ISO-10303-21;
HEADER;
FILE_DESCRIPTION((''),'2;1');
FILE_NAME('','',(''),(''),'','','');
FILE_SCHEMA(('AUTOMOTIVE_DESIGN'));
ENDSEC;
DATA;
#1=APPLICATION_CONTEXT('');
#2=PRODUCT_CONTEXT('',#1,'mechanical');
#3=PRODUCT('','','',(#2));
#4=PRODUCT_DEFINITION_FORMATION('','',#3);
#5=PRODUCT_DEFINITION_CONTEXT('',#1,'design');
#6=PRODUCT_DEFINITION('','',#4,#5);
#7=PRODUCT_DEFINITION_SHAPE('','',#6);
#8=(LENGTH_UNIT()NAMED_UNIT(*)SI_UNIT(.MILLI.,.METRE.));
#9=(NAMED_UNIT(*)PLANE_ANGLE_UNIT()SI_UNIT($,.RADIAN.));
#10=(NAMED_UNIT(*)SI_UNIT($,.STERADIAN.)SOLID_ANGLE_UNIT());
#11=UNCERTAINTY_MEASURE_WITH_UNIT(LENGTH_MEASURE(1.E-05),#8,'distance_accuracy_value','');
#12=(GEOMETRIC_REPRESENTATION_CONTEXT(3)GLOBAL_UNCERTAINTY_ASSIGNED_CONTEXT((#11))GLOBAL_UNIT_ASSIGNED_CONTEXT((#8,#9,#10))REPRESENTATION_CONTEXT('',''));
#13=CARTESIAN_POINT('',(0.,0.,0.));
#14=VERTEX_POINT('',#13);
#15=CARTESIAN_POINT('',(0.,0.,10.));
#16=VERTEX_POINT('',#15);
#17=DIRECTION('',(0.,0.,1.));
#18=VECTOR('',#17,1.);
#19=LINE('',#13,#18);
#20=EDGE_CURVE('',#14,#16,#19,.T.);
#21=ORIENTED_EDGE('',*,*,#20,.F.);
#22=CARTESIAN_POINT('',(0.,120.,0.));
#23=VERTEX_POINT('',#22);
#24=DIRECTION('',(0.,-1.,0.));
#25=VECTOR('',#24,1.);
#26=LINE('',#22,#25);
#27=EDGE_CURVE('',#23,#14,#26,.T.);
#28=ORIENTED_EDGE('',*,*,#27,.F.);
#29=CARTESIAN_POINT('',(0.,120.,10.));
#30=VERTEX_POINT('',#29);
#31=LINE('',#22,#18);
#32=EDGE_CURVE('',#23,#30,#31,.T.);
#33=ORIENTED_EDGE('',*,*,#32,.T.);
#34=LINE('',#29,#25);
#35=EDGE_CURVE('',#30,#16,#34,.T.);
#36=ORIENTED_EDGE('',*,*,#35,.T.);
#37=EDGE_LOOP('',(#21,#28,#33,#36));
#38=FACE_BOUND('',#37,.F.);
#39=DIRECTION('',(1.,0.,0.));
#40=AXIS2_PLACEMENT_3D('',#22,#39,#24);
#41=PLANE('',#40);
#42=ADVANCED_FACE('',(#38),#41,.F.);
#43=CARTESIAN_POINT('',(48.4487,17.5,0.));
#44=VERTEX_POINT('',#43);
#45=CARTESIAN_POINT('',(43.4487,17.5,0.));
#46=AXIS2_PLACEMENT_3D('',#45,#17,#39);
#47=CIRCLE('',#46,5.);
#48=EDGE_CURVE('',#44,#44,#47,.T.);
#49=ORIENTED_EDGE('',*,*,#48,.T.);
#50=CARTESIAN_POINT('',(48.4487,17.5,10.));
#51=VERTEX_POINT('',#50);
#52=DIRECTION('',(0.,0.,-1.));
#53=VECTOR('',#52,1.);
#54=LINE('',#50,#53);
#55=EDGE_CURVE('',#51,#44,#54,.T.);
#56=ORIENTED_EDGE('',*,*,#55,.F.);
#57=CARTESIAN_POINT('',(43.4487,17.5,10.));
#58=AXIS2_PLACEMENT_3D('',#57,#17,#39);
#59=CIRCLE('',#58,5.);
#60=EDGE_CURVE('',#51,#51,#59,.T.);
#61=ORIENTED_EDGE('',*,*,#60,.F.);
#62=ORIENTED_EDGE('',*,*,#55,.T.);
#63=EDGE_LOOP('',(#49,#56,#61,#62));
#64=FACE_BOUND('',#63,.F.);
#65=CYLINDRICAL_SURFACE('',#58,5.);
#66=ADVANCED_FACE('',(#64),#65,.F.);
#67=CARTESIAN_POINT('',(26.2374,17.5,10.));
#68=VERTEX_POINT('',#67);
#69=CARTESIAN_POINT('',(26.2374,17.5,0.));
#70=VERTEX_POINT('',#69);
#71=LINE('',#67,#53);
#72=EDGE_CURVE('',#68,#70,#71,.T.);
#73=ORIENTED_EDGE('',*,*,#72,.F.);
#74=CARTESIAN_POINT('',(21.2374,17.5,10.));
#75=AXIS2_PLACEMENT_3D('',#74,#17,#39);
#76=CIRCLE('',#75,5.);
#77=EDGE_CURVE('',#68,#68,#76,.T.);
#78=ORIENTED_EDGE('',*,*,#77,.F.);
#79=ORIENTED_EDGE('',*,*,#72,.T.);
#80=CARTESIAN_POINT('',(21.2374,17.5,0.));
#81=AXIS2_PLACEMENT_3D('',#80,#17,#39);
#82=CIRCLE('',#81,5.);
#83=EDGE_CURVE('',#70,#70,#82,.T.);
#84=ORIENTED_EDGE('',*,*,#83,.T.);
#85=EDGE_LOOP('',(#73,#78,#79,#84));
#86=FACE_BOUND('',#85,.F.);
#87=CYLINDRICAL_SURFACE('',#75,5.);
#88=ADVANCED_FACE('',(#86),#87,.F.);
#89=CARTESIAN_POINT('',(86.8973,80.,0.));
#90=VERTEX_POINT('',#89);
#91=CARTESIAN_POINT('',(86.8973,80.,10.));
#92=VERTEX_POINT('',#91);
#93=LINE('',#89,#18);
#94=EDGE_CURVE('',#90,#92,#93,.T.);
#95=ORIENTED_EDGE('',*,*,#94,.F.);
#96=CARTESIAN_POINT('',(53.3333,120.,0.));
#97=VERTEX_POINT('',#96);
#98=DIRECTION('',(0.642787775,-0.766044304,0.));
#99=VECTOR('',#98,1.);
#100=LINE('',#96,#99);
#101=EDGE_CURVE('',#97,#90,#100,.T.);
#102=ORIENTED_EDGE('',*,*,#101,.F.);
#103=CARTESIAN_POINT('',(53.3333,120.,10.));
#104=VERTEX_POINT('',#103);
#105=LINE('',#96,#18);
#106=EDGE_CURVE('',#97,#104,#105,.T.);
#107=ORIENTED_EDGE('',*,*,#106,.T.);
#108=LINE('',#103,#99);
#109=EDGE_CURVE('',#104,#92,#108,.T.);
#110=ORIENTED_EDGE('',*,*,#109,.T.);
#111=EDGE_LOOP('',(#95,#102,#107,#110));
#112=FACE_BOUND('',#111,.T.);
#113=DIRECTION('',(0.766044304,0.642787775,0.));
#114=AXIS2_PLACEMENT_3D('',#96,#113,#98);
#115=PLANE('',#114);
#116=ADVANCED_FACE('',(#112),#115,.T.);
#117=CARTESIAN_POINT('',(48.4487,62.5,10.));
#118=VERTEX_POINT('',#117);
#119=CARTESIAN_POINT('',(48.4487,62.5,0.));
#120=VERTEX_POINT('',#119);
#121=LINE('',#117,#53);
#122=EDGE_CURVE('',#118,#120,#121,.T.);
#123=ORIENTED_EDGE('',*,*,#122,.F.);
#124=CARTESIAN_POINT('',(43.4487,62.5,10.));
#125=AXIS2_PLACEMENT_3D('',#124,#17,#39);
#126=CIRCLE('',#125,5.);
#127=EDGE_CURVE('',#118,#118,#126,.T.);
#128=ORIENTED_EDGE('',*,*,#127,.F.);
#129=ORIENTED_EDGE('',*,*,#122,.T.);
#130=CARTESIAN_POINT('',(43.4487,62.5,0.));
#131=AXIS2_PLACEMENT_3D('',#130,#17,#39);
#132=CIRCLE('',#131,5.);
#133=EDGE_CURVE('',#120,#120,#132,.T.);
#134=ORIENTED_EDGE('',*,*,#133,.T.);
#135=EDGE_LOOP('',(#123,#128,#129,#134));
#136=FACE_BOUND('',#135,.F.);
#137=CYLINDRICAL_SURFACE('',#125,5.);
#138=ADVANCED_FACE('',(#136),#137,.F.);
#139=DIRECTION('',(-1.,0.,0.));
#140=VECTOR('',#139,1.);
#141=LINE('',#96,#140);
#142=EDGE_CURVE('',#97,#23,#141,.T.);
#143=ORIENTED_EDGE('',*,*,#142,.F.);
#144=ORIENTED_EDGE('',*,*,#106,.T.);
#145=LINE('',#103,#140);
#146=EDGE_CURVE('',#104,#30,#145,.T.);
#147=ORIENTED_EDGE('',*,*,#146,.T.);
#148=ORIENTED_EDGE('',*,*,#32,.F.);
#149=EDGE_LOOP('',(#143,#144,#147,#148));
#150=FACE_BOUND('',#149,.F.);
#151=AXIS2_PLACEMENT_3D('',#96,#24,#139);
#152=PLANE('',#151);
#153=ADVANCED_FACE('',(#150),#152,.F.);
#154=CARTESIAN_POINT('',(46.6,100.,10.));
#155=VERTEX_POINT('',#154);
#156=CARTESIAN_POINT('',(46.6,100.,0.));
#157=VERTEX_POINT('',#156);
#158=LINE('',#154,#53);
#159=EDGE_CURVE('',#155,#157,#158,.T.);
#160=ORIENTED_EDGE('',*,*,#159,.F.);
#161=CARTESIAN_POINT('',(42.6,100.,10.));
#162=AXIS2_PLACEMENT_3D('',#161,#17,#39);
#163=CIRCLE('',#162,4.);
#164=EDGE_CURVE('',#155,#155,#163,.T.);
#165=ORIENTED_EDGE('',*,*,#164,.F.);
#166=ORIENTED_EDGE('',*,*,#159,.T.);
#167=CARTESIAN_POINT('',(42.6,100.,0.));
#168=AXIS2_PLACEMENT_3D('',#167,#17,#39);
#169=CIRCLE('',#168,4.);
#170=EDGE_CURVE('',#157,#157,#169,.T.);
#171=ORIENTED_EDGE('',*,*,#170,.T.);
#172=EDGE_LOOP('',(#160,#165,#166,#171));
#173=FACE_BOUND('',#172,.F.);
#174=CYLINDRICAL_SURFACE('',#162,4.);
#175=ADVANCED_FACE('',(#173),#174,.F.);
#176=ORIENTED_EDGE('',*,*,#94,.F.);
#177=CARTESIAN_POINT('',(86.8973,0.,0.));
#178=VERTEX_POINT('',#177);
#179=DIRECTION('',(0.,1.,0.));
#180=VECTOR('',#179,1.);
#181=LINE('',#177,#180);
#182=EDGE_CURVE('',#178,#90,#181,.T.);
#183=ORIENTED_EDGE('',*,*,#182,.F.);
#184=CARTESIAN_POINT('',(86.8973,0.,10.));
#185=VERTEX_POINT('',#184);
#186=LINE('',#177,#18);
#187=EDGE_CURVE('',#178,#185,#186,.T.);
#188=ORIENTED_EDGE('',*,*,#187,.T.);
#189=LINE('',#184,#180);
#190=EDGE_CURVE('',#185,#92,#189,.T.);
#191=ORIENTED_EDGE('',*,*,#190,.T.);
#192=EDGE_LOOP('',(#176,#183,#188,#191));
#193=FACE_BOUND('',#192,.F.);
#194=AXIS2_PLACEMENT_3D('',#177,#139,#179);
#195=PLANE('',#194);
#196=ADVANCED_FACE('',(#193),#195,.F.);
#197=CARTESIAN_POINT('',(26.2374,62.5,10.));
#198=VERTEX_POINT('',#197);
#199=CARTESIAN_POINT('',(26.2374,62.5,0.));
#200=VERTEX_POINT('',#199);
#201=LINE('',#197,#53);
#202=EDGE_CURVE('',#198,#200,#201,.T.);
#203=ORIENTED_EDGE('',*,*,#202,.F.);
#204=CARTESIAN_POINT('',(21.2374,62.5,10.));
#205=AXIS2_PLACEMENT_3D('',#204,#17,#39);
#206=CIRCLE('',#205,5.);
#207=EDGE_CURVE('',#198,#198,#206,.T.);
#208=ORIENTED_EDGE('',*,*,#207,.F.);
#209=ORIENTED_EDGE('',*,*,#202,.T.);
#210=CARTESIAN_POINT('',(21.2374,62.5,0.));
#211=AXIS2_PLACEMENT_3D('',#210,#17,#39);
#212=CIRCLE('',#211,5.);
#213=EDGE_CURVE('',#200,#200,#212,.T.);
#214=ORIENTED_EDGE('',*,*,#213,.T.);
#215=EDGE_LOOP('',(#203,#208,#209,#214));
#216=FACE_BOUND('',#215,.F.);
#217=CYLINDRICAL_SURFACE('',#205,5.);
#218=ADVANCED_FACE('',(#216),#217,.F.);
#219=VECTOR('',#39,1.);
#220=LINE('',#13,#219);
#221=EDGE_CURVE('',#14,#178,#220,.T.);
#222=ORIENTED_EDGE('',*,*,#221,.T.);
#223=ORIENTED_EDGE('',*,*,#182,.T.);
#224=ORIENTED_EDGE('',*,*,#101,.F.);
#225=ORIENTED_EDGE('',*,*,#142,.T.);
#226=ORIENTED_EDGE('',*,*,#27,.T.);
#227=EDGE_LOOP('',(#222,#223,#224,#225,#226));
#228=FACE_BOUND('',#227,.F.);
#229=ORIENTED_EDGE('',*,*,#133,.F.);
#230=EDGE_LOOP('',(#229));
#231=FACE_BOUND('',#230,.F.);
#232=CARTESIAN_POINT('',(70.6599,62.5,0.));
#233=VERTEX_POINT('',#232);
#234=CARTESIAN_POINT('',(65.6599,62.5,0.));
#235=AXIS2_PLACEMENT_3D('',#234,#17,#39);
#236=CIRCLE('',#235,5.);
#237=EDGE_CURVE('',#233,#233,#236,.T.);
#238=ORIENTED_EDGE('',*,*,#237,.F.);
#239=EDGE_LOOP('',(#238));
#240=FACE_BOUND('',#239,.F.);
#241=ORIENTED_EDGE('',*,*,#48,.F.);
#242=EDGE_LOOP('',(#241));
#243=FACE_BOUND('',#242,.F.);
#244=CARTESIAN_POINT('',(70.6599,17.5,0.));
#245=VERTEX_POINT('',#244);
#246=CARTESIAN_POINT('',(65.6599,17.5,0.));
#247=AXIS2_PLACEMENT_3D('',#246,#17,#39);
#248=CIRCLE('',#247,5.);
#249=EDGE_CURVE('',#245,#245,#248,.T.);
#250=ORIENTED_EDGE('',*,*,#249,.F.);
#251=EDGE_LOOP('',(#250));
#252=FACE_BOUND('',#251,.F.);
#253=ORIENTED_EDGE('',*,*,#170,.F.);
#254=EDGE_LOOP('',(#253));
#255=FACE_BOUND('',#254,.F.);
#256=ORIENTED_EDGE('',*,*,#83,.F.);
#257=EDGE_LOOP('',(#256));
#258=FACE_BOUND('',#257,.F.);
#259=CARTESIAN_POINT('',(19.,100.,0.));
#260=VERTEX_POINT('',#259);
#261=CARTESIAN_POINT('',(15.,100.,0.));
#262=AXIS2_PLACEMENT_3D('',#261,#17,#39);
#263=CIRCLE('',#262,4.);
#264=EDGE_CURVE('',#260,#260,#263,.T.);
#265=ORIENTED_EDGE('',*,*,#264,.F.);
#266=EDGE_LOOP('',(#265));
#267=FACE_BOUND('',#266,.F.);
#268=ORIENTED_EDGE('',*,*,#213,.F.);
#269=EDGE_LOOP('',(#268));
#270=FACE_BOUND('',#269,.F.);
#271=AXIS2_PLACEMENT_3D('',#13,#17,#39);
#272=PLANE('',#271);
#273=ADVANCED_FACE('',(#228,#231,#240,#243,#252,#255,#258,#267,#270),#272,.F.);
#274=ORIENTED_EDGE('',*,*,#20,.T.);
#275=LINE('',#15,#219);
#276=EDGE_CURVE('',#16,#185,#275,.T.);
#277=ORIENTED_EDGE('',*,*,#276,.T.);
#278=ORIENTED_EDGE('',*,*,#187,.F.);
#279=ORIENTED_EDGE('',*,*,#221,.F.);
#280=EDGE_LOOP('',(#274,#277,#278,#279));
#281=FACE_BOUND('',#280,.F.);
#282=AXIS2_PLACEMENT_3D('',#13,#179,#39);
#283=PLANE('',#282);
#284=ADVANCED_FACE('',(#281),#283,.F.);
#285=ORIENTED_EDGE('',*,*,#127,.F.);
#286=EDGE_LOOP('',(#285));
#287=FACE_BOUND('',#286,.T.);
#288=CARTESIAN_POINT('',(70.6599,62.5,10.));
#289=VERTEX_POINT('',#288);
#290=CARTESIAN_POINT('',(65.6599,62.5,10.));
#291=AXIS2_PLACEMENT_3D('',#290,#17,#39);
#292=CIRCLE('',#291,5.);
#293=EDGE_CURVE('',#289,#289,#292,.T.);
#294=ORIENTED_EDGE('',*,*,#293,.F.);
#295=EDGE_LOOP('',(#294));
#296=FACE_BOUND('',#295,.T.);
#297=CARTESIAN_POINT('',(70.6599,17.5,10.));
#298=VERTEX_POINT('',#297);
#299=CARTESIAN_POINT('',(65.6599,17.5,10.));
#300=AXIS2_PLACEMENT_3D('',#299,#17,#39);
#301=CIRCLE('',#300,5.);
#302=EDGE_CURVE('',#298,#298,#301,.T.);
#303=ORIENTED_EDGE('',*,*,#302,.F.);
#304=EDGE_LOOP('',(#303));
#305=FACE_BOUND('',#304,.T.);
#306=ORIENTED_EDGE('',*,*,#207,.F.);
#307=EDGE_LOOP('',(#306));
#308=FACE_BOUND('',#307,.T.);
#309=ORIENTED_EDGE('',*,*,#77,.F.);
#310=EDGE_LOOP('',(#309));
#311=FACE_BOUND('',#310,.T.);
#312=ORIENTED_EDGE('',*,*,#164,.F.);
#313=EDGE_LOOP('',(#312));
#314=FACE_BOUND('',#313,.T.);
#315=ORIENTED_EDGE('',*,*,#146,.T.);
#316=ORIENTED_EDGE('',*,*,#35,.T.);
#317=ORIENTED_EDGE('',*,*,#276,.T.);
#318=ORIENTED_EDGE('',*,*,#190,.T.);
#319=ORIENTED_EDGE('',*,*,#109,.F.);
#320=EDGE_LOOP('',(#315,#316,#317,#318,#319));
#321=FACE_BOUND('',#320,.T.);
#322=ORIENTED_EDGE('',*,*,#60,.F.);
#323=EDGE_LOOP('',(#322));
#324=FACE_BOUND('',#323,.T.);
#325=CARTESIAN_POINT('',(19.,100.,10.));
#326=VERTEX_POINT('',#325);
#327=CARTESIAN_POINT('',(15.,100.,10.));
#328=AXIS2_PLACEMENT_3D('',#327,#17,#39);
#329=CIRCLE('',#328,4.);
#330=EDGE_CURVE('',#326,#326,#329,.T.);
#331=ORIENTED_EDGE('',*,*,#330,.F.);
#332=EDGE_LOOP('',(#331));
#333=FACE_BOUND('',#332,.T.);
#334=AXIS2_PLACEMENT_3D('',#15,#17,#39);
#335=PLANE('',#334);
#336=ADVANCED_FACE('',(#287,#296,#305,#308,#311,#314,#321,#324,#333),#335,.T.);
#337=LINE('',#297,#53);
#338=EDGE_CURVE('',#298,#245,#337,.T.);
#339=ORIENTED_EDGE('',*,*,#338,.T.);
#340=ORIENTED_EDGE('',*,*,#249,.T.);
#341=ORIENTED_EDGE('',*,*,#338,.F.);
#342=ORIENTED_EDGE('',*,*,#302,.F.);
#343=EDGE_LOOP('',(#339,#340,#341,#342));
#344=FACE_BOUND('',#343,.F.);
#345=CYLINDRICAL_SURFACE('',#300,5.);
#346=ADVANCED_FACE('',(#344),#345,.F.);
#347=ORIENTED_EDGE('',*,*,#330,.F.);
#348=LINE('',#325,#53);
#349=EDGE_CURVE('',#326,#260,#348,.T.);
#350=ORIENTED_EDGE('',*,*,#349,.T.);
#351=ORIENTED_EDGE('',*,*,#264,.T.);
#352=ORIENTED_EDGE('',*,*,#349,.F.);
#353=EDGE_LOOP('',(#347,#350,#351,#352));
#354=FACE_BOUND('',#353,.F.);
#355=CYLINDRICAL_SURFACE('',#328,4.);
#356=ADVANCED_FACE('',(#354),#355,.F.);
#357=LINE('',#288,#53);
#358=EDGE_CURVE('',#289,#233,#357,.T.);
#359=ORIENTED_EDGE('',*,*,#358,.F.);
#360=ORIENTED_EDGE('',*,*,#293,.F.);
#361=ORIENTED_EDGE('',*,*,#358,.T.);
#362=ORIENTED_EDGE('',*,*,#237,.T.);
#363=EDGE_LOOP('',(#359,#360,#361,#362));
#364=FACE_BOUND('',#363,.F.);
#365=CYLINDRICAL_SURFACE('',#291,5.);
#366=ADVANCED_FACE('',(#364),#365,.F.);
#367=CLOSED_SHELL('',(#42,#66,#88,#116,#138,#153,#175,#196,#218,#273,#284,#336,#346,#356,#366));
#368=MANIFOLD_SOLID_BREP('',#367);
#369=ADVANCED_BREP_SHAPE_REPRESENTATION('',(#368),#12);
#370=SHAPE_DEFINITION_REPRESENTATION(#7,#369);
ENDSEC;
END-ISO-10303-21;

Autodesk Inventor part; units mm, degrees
ref_plane "YZ Plane" through (0, 0, 0) normal (1, 0, 0) x (0, 1, 0)
ref_plane "XZ Plane" through (0, 0, 0) normal (0, 1, 0) x (-1, 0, 0)
ref_plane "XY Plane" through (0, 0, 0) normal (0, 0, 1) x (1, 0, 0)
sketch "Sketch1" plane through (0, 0, 0) normal (0, 0, 1) x (1, 0, 0)
  line L0 (0, 0) -> (86.8973, 0)
  line L1 (53.3333, 120) -> (0, 120)
  line L2 (0, 120) -> (0, 0)
  line L3 (86.8973, 0) -> (86.8973, 80)
  line L4 (53.3333, 120) -> (86.8973, 80)
  dimension "d0" = 120
  dimension "d2" = 53.3333
  dimension "d6" = 90
  dimension "d9" = 130
  dimension "d10" = 90
  dimension "d11" = 80
extrude "Extrusion1" add sketch "Sketch1" along normal blind 10
sketch "Sketch2" plane through (0, 0, 10) normal (0, 0, 1) x (1, 0, 0)
  line L0 (86.8973, 0) -> (86.8973, 80) projected
  line L1 (86.8973, 40) -> (0, 40)
  line L2 (0, 120) -> (0, 0) projected
  circle A0 centre (21.2374, 62.5) radius 5
  circle A1 centre (43.4487, 62.5) radius 5
  circle A2 centre (65.6599, 62.5) radius 5
  circle A3 centre (21.2374, 17.5) radius 5
  circle A4 centre (43.4487, 17.5) radius 5
  circle A5 centre (65.6599, 17.5) radius 5
  line L3 (0, 0) -> (86.8973, 0) projected
  circle A6 centre (15, 100) radius 4
  line L4 (53.3333, 120) -> (0, 120) projected
  circle A7 centre (42.6, 100) radius 4
  dimension "d12" = 10
  dimension "d13" = 80
  dimension "d16" = 21.2374
  dimension "d17" = 22.5
  dimension "d20" = 22.2113
  dimension "d23" = 45
  dimension "d28" = 45
  dimension "d30" = 86.8973
  dimension "d31" = 20
  dimension "d32" = 8
  dimension "d33" = 8
  dimension "d34" = 20
  dimension "d35" = 15
  dimension "d36" = 53.3333
  dimension "d38" = 22.2113
  dimension "d39" = 19.6
extrude "Extrusion2" cut sketch "Sketch2" against normal up to next contours A0 | A1 | A2 | A3 | A4 | A5 | A6 | A7
equation "\"d2\" = 0.666667 * d11"
equation "\"d11\" = 0.666667 * d0"
equation "\"d16\" = 0.1 * d15"
equation "\"d20\" = -d16 + 0.5 * d30"
equation "\"d23\" = 2 * d17"
equation "\"d33\" = d32"
equation "\"d34\" = d31"
equation "\"d15\" = 212.373871"
properties part number "Wheels"
